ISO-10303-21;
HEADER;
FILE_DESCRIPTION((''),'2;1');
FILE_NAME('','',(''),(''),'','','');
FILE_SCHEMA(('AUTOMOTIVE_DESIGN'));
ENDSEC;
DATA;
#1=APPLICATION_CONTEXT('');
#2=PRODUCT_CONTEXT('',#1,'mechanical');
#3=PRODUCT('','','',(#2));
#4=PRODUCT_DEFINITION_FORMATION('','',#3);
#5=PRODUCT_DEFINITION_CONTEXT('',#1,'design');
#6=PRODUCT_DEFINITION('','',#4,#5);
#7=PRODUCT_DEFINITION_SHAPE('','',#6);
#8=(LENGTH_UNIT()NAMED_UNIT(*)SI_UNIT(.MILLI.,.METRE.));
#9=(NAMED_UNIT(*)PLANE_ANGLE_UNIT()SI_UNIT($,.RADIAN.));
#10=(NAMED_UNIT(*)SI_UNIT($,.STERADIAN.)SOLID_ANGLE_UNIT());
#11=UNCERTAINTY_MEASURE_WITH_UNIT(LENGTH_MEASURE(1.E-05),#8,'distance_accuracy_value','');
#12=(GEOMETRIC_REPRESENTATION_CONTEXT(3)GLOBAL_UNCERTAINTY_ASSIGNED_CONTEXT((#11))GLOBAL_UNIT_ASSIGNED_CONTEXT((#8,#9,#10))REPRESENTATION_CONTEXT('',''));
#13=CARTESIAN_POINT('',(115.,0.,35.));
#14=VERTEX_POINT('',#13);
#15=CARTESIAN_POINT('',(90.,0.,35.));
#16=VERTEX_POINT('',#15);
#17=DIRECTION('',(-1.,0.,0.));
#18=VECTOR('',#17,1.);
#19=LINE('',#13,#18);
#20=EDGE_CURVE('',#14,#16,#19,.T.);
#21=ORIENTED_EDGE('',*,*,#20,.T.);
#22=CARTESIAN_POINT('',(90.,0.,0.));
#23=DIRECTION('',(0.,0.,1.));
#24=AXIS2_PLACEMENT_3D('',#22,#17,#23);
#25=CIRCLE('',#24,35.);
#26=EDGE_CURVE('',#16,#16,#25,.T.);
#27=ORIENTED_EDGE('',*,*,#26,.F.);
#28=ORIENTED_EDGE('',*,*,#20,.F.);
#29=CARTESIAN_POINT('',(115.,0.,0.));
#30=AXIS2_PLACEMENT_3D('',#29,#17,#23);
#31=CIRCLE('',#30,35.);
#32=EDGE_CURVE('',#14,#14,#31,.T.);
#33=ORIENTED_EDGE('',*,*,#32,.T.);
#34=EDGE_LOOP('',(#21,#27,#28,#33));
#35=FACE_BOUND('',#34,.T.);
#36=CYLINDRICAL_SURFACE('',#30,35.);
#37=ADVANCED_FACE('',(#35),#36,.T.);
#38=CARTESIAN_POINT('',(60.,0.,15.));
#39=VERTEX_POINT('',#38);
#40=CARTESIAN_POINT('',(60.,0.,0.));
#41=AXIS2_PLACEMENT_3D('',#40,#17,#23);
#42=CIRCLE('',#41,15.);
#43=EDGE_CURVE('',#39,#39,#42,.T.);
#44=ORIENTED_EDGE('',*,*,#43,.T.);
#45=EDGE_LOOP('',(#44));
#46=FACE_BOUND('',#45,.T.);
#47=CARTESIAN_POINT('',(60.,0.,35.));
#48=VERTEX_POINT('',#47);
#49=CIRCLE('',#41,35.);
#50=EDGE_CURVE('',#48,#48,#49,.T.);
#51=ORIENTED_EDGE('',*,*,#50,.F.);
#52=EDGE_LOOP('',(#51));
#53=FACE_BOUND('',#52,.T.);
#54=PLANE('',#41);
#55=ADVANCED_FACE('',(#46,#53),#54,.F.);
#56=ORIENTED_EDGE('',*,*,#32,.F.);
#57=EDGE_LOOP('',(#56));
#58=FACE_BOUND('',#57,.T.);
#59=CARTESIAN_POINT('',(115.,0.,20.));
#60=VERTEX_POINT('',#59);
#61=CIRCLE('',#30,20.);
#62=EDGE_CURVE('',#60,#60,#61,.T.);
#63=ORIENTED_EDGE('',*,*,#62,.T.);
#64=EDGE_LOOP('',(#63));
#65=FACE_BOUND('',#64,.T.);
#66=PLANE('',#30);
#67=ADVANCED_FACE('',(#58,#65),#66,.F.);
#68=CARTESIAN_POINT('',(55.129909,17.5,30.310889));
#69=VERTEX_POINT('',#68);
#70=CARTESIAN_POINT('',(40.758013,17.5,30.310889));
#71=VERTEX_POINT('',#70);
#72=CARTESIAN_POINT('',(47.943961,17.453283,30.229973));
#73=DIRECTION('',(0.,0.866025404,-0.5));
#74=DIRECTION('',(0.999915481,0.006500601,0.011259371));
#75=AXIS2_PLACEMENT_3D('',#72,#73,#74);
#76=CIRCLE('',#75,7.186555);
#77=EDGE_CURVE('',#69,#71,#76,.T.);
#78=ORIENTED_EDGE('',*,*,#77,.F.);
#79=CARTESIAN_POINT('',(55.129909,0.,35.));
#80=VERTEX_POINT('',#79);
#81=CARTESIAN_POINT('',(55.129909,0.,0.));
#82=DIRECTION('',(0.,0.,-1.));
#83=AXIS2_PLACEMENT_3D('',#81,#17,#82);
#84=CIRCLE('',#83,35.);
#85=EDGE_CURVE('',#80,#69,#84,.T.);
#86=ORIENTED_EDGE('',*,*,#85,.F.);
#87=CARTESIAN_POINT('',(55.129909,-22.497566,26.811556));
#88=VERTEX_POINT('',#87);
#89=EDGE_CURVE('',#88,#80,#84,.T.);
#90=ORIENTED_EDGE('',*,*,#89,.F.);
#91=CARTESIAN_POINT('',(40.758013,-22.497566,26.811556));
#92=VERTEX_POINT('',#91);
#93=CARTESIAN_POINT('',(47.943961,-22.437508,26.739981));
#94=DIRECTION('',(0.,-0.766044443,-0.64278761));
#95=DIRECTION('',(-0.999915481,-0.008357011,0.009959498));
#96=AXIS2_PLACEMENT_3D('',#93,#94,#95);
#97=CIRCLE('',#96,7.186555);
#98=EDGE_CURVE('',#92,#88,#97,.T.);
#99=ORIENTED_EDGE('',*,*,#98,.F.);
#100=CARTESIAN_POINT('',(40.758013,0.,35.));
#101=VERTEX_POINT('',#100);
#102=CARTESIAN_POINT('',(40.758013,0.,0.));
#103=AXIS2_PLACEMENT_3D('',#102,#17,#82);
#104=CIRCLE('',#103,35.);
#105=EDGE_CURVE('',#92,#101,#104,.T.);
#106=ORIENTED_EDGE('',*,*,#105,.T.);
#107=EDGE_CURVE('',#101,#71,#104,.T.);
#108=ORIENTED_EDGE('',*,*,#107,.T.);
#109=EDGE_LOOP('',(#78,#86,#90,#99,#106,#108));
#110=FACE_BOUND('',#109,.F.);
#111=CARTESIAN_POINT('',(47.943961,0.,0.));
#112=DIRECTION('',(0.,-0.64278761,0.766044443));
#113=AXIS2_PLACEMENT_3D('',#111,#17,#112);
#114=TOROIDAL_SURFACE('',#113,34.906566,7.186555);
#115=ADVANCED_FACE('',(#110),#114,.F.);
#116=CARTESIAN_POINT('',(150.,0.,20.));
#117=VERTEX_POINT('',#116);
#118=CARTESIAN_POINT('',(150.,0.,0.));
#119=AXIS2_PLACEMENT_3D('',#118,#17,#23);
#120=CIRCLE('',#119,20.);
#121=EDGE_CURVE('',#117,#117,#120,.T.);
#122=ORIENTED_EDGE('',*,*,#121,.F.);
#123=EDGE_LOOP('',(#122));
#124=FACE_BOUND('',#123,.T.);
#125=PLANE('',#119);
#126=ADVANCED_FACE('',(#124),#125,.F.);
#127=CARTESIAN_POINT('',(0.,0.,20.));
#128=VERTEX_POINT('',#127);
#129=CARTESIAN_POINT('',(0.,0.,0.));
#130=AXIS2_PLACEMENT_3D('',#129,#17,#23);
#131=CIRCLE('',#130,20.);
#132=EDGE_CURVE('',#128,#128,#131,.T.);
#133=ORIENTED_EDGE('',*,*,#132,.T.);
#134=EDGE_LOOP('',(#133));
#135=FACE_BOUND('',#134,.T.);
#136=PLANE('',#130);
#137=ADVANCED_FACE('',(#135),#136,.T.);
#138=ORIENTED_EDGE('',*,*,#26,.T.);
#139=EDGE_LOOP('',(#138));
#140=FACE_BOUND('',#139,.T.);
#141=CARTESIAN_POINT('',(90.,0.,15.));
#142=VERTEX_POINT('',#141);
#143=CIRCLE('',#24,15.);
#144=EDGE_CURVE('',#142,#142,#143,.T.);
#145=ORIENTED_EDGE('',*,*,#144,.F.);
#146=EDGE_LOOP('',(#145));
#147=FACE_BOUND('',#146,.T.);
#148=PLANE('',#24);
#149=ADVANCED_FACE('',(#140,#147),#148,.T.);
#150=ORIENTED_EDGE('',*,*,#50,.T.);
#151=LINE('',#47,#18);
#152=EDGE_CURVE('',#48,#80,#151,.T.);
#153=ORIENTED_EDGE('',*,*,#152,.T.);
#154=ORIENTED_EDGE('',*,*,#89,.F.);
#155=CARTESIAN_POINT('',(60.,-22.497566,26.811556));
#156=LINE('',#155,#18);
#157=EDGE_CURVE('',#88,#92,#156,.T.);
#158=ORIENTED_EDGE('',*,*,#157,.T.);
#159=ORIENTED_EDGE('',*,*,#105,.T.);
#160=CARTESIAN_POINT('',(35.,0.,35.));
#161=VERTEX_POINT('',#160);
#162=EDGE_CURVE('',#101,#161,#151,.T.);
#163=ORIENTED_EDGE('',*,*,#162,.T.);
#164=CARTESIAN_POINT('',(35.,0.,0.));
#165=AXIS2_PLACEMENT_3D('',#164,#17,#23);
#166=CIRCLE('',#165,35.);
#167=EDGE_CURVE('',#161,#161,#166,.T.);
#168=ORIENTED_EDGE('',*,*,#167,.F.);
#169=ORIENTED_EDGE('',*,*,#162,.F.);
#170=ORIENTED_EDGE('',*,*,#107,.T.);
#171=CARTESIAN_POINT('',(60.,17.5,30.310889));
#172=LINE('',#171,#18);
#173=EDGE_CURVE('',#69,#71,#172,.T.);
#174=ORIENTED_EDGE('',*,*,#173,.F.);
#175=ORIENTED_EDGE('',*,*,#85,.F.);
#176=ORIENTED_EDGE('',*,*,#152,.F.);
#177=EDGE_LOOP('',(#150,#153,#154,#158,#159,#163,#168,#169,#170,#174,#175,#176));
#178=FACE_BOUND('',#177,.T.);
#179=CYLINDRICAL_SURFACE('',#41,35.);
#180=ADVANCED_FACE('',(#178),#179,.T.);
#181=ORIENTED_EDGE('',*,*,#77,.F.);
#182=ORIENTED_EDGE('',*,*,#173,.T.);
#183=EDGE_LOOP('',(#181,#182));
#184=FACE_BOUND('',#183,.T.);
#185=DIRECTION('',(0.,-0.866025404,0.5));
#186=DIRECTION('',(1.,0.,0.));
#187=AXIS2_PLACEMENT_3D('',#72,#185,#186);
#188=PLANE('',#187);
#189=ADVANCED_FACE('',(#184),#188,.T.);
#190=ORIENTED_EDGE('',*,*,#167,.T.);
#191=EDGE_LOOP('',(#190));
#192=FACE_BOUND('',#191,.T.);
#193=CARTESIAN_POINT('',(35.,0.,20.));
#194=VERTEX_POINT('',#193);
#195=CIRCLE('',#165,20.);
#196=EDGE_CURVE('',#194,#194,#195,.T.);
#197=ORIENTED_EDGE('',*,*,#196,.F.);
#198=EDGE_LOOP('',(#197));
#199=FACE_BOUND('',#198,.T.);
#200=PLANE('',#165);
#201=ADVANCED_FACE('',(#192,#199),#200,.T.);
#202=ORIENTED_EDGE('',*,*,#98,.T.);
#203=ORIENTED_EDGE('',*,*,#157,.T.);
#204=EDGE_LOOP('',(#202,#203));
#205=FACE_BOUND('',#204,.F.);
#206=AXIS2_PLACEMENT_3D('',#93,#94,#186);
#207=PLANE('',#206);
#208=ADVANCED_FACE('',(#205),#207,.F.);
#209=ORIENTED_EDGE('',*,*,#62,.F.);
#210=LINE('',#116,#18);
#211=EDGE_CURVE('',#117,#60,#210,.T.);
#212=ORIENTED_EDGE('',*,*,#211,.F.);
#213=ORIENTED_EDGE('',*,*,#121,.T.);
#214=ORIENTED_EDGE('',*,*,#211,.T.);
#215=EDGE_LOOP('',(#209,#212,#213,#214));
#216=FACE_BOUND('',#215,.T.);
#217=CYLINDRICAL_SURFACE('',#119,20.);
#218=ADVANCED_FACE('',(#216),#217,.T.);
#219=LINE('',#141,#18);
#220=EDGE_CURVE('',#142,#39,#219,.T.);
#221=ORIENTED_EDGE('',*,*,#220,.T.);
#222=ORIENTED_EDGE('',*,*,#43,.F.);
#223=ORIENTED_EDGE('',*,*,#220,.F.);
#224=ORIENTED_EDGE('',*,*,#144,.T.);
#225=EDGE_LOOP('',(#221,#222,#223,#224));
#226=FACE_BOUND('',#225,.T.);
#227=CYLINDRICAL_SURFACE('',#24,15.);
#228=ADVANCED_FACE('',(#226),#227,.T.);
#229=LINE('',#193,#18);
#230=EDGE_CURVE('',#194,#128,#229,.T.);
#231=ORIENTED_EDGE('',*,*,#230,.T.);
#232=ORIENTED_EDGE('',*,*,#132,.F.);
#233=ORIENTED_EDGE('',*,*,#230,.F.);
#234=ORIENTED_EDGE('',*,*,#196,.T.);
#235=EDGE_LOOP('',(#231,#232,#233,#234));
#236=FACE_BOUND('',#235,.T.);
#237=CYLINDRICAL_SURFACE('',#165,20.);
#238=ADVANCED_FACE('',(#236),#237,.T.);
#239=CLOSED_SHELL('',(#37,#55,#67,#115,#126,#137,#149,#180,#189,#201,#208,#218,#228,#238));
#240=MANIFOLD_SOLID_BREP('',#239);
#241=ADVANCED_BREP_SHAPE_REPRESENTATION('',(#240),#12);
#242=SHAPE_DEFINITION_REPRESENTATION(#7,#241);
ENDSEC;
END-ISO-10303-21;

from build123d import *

# Parameters (mm, degrees)
F2_R          = 7.186555345
F3_ANGLE_BACK = 40
F3_ANGLE      = 70


with BuildPart() as f1:
    # F0 (on Front) → F1 (revolve)
    with BuildSketch(Plane.XZ):
        Polygon((0, 20), (0, 0), (150, 0), (150, 20), (115, 20), (115, 35), (90, 35), (90, 15), (60, 15), (60, 35), (35, 35), (35, 20), align=None)
    revolve(axis=Axis((75, 0, 0), (-1, 0, 0)))

    # F2 (on Front) → F3 (revolve, cut)
    with BuildSketch(Plane.XZ, mode=Mode.PRIVATE) as f3_sk:
        with Locations((47.9439608753, 34.906566143)):
            Circle(F2_R)
    revolve(f3_sk.sketch.rotate(Axis((83.0608084798, 0, 0), (-1, 0, 0)), -F3_ANGLE_BACK), axis=Axis((83.0608084798, 0, 0), (-1, 0, 0)), revolution_arc=F3_ANGLE, mode=Mode.SUBTRACT)


solid = f1.part
